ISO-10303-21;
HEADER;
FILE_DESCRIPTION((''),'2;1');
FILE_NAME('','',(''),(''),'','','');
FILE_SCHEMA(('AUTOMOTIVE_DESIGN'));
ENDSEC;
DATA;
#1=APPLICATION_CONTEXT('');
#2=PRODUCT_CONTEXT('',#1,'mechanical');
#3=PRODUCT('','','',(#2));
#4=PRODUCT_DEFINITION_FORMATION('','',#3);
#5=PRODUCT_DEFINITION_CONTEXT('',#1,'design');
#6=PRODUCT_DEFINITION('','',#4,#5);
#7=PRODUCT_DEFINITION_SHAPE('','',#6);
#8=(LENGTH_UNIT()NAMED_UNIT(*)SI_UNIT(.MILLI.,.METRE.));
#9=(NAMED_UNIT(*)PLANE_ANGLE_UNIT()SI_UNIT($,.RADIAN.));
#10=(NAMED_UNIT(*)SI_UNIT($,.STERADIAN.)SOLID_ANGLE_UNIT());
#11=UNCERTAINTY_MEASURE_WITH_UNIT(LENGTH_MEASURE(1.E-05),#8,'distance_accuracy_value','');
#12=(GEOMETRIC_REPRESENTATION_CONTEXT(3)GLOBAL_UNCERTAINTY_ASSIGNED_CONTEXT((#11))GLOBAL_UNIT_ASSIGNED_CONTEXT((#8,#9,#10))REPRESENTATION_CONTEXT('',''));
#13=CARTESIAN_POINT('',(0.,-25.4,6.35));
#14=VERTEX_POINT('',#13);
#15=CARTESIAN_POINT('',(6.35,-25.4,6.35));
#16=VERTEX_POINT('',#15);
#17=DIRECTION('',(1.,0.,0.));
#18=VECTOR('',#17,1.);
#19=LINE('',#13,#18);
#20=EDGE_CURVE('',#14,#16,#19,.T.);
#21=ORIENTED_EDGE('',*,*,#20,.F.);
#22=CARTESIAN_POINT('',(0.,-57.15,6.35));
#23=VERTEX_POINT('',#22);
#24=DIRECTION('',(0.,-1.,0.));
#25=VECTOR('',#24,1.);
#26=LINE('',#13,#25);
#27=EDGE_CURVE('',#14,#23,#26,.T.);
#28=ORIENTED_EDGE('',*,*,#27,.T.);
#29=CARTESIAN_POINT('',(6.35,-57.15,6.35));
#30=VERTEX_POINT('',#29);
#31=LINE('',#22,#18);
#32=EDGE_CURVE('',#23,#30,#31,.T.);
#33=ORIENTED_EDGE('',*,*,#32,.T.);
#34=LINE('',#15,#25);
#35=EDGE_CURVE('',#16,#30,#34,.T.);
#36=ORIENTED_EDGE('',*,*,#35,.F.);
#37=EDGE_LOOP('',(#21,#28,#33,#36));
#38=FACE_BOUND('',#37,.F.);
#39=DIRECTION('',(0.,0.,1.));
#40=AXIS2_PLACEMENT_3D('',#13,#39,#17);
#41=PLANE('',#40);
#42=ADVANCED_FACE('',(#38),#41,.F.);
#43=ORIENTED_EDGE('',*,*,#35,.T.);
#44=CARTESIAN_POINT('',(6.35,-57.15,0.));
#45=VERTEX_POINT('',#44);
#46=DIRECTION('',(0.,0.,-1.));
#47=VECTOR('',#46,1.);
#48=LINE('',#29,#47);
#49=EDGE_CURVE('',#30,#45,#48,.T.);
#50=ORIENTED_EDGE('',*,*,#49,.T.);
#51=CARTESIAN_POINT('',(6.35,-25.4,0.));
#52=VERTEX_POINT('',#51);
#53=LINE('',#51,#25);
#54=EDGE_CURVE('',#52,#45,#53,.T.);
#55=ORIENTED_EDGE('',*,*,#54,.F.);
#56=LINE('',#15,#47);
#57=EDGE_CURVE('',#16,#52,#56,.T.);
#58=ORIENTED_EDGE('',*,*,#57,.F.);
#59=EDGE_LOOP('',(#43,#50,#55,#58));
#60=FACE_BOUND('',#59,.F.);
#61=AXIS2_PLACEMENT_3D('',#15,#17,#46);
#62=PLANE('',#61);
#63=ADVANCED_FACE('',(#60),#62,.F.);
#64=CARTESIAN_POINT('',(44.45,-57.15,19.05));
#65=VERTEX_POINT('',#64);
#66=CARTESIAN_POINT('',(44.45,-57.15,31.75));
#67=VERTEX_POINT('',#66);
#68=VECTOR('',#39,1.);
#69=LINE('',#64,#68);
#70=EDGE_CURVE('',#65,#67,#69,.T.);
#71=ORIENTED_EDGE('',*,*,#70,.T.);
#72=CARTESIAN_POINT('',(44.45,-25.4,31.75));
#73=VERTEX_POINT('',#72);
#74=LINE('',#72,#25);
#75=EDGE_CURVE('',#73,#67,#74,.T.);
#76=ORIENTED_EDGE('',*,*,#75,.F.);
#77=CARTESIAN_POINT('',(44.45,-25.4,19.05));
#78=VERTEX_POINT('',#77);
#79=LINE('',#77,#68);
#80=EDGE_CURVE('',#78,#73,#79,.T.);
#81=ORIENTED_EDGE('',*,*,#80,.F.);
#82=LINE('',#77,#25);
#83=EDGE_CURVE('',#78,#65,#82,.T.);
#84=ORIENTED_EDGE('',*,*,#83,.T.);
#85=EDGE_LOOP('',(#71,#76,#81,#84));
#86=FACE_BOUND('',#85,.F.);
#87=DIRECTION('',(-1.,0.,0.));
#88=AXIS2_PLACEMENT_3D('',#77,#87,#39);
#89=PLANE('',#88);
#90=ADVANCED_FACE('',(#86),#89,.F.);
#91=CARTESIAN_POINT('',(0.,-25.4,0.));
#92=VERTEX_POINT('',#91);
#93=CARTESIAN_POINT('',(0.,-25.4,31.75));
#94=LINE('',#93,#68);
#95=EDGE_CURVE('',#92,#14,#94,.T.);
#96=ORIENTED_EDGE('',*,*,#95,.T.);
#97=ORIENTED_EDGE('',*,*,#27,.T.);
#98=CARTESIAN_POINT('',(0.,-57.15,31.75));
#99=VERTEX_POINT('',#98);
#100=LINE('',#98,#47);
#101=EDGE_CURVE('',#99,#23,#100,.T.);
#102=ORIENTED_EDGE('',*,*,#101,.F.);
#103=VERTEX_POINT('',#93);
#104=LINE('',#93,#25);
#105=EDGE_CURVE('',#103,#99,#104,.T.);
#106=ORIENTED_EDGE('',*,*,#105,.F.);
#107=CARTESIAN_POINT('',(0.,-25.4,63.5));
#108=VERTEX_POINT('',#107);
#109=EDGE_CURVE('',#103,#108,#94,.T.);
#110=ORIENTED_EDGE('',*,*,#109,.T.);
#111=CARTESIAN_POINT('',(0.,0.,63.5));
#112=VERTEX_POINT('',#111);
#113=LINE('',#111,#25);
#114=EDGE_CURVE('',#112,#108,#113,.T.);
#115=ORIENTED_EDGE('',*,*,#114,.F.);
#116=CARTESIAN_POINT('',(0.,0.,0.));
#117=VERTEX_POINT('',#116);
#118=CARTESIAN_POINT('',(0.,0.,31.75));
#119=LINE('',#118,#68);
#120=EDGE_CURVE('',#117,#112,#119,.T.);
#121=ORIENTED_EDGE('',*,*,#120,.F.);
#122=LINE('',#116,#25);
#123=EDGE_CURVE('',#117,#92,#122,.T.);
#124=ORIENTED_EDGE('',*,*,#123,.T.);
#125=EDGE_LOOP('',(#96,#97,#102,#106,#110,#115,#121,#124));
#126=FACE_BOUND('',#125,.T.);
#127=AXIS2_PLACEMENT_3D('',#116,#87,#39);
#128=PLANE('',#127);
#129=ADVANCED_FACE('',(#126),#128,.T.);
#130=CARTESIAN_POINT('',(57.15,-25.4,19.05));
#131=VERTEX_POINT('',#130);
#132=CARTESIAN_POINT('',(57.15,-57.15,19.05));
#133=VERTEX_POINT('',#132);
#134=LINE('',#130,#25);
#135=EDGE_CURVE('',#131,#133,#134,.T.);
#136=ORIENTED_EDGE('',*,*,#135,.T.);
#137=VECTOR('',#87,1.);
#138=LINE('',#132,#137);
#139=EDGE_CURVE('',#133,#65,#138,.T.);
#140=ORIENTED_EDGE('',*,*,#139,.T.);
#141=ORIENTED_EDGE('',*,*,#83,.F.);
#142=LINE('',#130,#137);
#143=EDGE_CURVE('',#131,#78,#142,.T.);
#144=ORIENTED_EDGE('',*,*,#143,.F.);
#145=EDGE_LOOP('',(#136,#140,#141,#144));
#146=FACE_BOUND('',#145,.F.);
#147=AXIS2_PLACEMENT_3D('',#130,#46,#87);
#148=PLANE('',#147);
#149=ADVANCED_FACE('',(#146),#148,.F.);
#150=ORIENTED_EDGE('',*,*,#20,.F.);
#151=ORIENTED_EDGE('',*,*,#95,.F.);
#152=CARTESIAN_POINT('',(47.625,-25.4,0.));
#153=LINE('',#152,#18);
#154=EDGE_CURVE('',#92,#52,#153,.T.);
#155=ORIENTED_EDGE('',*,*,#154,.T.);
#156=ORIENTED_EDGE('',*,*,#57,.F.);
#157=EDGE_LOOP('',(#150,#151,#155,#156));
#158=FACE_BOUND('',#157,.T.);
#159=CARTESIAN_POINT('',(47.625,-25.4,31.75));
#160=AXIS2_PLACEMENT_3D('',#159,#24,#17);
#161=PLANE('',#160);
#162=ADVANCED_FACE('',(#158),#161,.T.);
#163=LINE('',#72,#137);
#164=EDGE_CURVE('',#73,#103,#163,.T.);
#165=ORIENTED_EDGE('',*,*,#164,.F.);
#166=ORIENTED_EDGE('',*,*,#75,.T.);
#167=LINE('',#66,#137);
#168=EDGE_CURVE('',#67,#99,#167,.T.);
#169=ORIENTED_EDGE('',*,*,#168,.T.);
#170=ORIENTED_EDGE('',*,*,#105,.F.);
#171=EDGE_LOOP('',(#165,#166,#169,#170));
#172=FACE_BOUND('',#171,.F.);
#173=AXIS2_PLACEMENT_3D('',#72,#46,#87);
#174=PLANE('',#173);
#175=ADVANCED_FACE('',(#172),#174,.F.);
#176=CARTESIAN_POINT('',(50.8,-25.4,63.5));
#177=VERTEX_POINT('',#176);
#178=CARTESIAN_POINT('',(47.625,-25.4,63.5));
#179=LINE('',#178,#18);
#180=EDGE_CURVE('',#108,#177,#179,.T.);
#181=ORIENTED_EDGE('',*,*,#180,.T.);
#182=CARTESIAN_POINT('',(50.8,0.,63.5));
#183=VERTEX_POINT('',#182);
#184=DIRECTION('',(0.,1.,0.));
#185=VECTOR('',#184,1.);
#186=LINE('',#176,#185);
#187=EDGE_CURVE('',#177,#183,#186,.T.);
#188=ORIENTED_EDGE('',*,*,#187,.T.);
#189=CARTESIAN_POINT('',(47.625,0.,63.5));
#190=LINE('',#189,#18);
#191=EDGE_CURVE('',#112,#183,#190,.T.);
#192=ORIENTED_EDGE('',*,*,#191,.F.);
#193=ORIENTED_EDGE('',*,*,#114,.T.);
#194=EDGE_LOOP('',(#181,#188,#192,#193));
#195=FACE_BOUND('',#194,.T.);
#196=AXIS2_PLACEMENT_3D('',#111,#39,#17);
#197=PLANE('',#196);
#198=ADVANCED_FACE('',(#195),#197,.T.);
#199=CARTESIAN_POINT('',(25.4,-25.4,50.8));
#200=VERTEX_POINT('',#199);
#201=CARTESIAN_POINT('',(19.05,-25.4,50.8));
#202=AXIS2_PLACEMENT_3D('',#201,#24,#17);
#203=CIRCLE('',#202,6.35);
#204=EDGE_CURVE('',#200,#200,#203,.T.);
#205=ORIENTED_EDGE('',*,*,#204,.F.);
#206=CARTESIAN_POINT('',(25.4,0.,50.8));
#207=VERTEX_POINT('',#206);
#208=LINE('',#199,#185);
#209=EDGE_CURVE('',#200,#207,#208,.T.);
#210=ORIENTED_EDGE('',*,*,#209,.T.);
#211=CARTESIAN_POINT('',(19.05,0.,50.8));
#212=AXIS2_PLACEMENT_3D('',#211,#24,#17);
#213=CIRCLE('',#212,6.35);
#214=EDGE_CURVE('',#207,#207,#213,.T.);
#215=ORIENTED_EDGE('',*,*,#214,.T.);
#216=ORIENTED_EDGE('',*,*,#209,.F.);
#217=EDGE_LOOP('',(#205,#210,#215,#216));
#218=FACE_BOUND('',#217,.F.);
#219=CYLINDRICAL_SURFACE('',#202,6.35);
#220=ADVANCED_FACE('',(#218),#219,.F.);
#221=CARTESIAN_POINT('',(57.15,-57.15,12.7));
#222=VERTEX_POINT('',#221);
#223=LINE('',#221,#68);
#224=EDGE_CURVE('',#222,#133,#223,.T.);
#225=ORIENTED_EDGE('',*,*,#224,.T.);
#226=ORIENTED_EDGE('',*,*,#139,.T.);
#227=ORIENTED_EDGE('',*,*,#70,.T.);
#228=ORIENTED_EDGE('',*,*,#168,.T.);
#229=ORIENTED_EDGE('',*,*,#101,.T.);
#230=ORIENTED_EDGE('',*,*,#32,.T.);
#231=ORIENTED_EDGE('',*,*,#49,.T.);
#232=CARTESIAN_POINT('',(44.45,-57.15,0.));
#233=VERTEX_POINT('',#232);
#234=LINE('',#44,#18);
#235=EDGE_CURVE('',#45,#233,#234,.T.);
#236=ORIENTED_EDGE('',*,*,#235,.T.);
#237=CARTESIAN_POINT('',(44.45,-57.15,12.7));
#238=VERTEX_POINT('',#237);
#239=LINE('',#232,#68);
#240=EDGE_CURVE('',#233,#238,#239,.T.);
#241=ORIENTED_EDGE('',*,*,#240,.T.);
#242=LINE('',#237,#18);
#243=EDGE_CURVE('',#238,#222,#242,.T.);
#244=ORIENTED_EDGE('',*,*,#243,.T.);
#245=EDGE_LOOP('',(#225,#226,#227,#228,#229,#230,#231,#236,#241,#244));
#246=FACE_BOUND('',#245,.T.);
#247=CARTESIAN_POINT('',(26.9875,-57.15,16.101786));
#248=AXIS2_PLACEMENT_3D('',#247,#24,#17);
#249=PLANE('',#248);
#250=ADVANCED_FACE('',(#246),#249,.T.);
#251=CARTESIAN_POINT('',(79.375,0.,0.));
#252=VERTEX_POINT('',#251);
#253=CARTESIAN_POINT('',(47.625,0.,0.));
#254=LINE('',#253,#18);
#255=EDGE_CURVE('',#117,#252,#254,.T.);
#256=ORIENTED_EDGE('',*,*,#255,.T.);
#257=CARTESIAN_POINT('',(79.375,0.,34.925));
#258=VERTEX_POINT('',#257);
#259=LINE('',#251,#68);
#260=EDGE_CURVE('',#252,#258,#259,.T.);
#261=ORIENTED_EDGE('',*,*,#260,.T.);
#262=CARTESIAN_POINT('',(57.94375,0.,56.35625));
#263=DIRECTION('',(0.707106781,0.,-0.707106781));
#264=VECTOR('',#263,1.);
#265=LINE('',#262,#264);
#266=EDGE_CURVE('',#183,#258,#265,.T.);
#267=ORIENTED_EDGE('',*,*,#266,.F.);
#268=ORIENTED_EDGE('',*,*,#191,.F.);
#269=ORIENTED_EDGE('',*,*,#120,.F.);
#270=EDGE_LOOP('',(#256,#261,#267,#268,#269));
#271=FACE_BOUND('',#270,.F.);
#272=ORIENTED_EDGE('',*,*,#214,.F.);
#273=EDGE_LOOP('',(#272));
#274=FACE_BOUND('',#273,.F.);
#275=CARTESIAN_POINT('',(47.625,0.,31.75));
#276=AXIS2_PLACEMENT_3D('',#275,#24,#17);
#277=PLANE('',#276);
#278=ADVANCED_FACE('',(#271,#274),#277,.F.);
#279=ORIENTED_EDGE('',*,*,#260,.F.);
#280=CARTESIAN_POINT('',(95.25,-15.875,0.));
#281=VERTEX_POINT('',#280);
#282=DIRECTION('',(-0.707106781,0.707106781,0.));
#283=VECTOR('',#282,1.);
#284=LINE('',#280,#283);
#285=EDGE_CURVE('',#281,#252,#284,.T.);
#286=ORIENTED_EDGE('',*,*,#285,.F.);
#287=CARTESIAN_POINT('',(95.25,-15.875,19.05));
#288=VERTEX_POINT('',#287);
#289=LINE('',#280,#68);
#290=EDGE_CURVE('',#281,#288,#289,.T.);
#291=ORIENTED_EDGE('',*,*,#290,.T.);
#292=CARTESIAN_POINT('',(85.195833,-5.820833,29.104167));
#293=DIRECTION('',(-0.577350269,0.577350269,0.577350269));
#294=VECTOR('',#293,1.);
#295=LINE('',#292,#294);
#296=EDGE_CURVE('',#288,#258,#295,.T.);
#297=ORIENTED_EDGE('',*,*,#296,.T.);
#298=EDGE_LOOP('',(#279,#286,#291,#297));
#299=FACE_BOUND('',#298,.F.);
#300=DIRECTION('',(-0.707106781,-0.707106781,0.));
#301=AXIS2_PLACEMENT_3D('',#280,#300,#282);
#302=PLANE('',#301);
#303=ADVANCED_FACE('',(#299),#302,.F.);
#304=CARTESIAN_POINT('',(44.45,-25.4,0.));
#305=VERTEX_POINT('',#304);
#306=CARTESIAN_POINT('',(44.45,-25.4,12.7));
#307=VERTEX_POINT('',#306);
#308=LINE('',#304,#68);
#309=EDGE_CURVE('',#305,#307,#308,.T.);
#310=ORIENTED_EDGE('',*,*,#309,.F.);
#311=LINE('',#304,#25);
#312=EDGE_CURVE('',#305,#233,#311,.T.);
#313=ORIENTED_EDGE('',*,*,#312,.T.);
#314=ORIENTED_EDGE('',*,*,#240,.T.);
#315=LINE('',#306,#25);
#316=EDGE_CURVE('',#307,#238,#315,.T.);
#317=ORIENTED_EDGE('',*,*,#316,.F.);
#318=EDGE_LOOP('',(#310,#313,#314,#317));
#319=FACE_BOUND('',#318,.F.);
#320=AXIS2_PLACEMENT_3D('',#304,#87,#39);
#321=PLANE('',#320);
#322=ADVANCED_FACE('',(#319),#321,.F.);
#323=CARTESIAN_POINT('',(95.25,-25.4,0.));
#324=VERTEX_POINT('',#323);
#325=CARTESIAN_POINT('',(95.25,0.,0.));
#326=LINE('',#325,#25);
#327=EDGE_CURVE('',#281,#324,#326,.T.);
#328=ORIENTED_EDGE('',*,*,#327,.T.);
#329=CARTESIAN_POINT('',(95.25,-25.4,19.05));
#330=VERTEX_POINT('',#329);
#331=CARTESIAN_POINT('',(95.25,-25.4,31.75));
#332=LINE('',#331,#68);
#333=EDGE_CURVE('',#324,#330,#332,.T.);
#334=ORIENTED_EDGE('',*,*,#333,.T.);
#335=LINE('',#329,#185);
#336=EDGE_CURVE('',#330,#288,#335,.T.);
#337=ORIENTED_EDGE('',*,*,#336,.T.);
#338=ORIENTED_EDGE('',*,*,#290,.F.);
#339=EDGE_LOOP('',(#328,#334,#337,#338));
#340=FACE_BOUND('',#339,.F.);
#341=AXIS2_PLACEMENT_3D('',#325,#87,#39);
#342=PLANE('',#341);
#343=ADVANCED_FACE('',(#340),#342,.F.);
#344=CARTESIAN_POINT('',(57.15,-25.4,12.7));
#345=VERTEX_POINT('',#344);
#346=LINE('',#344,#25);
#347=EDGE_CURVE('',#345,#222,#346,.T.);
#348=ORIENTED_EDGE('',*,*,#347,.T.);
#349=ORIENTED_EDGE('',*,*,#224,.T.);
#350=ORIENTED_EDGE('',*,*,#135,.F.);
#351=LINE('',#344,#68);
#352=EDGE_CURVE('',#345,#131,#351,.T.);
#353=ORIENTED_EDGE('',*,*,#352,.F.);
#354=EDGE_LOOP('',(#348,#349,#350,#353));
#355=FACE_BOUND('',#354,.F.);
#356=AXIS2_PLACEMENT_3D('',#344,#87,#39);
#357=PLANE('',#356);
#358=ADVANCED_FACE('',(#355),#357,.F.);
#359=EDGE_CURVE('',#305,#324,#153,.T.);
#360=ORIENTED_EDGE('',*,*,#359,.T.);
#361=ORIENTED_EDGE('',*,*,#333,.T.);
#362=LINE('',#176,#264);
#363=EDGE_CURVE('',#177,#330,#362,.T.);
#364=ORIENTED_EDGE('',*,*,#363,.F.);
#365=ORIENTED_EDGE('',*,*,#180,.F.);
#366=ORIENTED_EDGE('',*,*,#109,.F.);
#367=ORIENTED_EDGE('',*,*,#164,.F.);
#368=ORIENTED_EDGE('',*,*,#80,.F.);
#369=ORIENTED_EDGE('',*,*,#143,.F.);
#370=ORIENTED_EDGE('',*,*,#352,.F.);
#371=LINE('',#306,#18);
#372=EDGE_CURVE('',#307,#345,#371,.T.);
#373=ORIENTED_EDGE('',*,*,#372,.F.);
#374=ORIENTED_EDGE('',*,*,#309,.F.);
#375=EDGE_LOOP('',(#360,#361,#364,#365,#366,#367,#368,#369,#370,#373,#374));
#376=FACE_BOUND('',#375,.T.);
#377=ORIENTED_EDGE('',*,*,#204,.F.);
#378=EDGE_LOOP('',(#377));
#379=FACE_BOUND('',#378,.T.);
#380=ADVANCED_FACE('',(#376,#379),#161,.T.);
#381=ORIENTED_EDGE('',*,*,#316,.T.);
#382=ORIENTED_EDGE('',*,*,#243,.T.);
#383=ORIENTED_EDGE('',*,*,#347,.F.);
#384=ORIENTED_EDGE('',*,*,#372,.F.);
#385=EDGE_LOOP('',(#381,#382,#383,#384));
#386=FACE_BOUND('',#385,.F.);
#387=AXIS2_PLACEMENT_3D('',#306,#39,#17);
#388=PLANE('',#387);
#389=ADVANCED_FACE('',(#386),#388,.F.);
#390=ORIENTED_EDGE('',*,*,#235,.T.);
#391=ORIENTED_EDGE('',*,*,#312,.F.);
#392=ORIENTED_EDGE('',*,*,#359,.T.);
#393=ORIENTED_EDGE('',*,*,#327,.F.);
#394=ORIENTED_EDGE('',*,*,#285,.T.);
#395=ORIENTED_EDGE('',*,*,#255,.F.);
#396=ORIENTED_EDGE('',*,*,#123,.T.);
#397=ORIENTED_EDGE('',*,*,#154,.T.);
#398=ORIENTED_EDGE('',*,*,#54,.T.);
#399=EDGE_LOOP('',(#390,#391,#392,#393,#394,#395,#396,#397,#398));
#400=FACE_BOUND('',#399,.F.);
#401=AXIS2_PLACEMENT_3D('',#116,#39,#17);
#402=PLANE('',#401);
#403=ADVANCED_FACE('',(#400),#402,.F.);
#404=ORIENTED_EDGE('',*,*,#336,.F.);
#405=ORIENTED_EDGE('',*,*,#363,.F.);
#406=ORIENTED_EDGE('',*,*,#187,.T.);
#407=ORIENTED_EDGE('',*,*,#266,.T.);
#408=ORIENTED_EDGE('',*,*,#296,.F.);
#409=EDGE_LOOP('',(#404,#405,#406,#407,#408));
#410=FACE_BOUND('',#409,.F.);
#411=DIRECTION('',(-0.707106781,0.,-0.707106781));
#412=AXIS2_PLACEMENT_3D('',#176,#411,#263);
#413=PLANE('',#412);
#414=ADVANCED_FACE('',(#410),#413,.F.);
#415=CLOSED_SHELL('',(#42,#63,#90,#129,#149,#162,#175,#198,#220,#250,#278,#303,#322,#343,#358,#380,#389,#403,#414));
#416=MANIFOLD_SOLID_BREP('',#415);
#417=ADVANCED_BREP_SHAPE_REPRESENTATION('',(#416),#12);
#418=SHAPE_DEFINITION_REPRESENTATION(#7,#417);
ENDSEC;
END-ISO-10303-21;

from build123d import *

# Parameters (mm, degrees)
F0_W     = 95.25
F0_H     = 63.5
F1_DEPTH = 25.4
F3_DEPTH = 25.401
F5_DEPTH = 63.501
F6_R     = 6.35
F7_DEPTH = 25.401
F9_DEPTH = 31.75


with BuildPart() as f1:
    # F0 (on Front) → F1 (new body)
    with BuildSketch(Plane.XZ):
        with Locations((47.625, 31.75)):
            Rectangle(F0_W, F0_H)
    extrude(amount=F1_DEPTH)

    # F2 (on face) → F3 (cut, through all)
    with BuildSketch(Plane.XZ.offset(25.4)):
        Polygon((95.25, 63.5), (50.8, 63.5), (95.25, 19.05), align=None)
    extrude(amount=-F3_DEPTH, mode=Mode.SUBTRACT)

    # F4 (on face) → F5 (cut, through all)
    with BuildSketch(Plane(origin=(0, 0, 0), x_dir=(1, 0, 0), z_dir=(0, 0, -1))):
        Polygon((95.25, 0), (95.25, 15.875), (79.375, 0), align=None)
    extrude(amount=-F5_DEPTH, mode=Mode.SUBTRACT)

    # F6 (on face) → F7 (cut, through all)
    with BuildSketch(Plane.XZ.offset(25.4)):
        with Locations((19.05, 50.8)):
            Circle(F6_R)
    extrude(amount=-F7_DEPTH, mode=Mode.SUBTRACT)

    # F8 (on face) → F9 (join)
    with BuildSketch(Plane.XZ.offset(25.4)):
        Polygon((0, 31.75), (0, 6.35), (6.35, 6.35), (6.35, 0), (44.45, 0), (44.45, 12.7), (57.15, 12.7), (57.15, 19.05), (44.45, 19.05), (44.45, 31.75), align=None)
    extrude(amount=F9_DEPTH)


solid = f1.part
